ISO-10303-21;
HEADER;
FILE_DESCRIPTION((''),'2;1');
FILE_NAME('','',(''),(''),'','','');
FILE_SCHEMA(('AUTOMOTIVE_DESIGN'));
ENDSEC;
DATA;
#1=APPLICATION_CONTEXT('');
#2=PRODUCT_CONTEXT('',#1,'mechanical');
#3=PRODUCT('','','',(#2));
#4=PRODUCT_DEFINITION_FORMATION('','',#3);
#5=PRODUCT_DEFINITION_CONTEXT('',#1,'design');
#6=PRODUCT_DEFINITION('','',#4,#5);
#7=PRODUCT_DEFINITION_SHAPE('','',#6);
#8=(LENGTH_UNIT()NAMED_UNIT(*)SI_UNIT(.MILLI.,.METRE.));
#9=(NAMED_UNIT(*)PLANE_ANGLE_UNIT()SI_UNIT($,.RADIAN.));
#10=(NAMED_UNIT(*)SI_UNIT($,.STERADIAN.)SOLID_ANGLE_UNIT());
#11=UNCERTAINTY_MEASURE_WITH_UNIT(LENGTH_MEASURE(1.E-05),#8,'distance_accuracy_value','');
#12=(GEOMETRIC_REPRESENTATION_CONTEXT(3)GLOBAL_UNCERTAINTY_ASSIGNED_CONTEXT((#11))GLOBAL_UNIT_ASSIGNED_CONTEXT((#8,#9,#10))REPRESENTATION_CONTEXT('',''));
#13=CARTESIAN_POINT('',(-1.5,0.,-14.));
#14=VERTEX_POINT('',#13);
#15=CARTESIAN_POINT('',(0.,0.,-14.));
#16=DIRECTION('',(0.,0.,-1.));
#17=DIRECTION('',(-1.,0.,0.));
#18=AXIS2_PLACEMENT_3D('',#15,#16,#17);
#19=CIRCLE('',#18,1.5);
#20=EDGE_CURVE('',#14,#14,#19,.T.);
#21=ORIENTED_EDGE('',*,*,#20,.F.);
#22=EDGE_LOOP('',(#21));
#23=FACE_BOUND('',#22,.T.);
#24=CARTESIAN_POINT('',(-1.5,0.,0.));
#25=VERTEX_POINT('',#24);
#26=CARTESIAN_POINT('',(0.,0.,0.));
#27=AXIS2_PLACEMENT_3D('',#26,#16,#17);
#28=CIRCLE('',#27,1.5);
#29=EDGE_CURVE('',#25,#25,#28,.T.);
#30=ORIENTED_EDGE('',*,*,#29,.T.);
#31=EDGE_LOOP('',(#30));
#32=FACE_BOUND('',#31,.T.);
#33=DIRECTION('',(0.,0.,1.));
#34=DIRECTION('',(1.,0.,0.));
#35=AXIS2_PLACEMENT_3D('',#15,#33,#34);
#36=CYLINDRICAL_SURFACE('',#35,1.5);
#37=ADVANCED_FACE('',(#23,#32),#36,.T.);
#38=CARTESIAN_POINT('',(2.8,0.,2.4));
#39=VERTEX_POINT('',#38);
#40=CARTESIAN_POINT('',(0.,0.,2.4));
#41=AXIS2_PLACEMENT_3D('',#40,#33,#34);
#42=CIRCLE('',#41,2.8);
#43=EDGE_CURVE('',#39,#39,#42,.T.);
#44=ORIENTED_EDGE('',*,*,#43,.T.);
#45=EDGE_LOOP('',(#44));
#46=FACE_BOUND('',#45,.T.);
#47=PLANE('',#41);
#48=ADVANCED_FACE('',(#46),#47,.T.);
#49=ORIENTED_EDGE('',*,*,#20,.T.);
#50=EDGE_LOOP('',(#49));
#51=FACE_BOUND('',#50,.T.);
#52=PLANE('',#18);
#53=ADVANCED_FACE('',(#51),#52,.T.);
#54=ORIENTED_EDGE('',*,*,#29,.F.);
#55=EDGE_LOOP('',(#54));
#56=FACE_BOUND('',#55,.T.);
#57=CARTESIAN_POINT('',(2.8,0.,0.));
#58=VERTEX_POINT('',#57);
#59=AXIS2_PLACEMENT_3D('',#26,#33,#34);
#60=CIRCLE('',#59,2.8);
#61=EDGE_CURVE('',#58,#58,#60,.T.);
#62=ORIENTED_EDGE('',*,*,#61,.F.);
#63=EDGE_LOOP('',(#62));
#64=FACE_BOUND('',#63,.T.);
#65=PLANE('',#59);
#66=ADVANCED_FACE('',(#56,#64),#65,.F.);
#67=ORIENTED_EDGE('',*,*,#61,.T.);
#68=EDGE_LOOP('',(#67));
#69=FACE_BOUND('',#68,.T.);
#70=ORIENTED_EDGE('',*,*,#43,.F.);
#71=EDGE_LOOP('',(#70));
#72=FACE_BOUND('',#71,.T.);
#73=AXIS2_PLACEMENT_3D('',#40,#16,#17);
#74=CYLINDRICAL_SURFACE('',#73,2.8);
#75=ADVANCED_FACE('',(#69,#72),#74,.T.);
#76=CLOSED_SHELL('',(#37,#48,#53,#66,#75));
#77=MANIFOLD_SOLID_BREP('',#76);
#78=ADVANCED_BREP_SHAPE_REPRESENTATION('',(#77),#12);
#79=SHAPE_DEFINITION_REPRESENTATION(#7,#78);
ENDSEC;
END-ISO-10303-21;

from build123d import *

# Parameters (mm, degrees)
ESQUISSE1_R        = 2.8
BOSS_EXTRU_1_DEPTH = 2.4
ESQUISSE2_R        = 1.5
BOSS_EXTRU_2_DEPTH = 14


with BuildPart() as part:
    # Esquisse1 → Boss.-Extru.1 (new body)
    with BuildSketch(Plane.XY):
        Circle(ESQUISSE1_R)
    extrude(amount=BOSS_EXTRU_1_DEPTH)

    # Esquisse2 → Boss.-Extru.2 (add)
    with BuildSketch(Plane(origin=(0, 0, 0), x_dir=(-1, 0, 0), z_dir=(0, 0, -1))):
        Circle(ESQUISSE2_R)
    extrude(amount=BOSS_EXTRU_2_DEPTH)


solid = part.part
